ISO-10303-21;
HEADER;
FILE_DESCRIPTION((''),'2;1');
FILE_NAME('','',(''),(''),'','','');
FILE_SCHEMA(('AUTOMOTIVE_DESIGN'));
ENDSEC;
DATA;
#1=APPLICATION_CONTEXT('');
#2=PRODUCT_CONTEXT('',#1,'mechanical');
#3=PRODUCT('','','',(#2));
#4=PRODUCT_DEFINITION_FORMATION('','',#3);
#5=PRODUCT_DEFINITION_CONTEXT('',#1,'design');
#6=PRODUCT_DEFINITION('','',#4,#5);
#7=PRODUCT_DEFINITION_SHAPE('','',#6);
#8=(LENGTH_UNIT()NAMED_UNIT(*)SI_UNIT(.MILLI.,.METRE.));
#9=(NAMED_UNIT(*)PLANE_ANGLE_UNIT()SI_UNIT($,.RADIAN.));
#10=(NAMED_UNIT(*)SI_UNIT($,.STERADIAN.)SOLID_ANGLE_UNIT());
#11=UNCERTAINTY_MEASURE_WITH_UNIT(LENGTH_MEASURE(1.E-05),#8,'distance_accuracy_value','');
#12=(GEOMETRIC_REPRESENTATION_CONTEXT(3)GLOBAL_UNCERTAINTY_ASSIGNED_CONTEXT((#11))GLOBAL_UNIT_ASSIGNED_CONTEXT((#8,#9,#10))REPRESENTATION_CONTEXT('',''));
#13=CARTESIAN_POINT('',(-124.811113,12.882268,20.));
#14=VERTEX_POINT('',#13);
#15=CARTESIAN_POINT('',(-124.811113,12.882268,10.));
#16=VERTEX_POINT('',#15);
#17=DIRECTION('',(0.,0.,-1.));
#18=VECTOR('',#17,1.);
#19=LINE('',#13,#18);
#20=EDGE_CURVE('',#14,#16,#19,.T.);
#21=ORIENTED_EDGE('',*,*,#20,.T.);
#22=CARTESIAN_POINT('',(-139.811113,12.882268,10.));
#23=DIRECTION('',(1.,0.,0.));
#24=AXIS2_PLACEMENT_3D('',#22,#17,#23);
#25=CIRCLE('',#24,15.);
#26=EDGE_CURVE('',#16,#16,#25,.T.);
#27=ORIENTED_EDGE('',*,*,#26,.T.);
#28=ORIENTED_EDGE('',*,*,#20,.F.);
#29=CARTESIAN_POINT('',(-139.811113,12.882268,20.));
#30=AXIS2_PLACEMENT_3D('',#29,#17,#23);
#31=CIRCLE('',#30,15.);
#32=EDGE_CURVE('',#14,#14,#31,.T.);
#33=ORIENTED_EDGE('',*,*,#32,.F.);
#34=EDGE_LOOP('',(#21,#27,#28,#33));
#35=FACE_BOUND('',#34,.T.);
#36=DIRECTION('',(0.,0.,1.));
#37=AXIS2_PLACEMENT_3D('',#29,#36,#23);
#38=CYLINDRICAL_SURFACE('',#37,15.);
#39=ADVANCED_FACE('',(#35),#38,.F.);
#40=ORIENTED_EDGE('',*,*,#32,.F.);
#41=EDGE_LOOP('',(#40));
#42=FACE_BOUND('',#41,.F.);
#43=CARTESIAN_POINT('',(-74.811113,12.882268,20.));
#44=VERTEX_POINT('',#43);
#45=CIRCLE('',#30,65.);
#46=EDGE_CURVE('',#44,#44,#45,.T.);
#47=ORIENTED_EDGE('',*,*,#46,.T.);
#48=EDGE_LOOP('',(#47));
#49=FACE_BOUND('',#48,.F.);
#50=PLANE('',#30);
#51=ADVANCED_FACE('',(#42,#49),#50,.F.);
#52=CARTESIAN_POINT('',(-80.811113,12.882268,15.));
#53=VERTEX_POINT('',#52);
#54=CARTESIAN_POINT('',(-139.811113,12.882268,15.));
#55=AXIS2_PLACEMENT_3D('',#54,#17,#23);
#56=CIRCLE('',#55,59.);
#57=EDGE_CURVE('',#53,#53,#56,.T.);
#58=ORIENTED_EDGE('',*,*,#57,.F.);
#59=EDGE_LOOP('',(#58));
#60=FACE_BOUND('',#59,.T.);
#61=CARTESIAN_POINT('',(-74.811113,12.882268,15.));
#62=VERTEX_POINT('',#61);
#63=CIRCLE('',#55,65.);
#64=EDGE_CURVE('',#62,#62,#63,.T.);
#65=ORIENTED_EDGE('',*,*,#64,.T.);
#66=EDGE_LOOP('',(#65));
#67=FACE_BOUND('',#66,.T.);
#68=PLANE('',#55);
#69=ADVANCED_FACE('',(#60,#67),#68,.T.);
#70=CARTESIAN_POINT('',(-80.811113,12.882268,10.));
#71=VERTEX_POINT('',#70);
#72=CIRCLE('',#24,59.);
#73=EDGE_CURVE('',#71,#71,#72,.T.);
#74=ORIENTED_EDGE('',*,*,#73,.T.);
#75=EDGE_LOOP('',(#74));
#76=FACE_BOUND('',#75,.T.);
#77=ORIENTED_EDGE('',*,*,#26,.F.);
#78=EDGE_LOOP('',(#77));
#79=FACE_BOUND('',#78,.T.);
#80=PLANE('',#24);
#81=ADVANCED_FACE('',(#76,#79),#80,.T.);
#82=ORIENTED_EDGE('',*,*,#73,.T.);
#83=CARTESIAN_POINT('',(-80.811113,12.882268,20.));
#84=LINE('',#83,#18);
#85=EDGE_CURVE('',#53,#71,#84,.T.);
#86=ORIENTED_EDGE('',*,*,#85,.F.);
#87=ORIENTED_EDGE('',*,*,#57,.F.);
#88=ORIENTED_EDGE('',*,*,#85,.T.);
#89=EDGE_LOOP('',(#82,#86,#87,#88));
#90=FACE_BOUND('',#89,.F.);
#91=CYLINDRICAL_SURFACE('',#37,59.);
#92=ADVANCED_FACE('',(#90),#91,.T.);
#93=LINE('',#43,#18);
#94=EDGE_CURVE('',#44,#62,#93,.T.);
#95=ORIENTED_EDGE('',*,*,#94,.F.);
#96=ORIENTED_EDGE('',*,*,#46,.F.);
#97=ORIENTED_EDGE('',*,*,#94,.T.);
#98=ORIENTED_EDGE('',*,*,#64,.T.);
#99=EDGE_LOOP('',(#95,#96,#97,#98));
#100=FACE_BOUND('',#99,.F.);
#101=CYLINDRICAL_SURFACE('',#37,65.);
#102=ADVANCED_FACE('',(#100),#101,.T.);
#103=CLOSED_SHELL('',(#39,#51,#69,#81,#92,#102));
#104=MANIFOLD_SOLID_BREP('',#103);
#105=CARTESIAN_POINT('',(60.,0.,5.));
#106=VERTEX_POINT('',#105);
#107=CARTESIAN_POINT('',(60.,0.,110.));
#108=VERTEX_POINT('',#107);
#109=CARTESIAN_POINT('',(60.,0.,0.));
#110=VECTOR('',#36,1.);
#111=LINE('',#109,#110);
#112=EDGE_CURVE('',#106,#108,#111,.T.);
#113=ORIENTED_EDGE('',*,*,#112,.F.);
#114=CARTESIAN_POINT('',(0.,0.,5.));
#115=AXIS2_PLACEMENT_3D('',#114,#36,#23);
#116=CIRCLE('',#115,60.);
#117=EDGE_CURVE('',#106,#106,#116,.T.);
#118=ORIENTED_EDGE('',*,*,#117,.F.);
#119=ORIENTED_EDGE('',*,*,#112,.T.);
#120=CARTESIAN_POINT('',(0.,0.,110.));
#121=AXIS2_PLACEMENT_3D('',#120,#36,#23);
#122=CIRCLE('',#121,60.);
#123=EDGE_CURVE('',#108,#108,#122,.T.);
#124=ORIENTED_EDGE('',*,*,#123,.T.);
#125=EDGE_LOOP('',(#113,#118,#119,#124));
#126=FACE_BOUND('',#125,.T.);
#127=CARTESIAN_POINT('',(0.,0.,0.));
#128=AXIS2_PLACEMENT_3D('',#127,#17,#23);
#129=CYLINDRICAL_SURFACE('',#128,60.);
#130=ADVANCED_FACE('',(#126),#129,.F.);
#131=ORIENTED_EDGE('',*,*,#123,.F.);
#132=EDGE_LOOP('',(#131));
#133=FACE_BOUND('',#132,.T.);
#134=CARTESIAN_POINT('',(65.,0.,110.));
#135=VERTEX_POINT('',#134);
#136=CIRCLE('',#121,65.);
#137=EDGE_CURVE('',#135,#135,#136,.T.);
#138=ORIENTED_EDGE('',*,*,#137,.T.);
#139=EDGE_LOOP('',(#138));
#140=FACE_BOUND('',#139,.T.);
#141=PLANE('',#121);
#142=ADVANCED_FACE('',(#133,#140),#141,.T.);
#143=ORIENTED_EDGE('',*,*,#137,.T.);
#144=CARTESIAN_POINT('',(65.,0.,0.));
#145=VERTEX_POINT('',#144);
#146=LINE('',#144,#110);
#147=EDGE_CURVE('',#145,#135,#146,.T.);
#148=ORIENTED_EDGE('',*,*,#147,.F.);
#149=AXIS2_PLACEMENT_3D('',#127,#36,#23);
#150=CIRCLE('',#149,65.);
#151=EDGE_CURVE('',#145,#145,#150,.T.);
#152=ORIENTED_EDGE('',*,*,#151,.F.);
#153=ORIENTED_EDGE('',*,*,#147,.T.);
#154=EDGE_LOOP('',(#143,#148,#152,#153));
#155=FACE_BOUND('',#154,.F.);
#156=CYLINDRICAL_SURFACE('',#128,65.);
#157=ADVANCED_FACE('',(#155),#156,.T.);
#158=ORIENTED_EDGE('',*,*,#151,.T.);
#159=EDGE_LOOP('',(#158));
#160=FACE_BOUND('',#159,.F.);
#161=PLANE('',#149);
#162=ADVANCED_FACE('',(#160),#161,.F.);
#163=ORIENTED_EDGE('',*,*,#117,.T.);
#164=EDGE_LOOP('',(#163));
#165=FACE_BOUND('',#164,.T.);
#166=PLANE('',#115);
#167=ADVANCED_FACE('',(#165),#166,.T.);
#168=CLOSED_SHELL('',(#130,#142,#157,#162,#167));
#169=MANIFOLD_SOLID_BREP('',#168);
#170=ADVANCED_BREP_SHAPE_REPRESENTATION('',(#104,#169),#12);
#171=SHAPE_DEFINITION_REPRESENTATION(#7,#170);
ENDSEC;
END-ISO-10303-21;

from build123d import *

# Parameters (mm, degrees)
F0_R     = 60
F1_DEPTH = 5
F0_R_2   = 65
F2_DEPTH = 110
F3_R     = 59
F3_R_2   = 15
F4_DEPTH = 10
F3_R_3   = 65
F5_DEPTH = 5
F7_ANGLE = 180


with BuildPart() as f1:
    # F0 (on Top) → F1 (new body)
    with BuildSketch(Plane.XY):
        Circle(F0_R)
    extrude(amount=F1_DEPTH)

    # F0 (on Top) → F2 (join)
    with BuildSketch(Plane.XY):
        Circle(F0_R_2)
        Circle(F0_R, mode=Mode.SUBTRACT)
    extrude(amount=F2_DEPTH)


with BuildPart() as f4:
    # F3 (on Top) → F4 (new body)
    with BuildSketch(Plane.XY):
        with Locations((-139.811113, 12.882268)):
            Circle(F3_R)
        with Locations((-139.811113, 12.882268)):
            Circle(F3_R_2, mode=Mode.SUBTRACT)
    extrude(amount=F4_DEPTH)

    # F3 (on Top) → F5 (join)
    with BuildSketch(Plane.XY):
        with Locations((-139.811113, 12.882268)):
            Circle(F3_R_3)
        with Locations((-139.811113, 12.882268)):
            Circle(F3_R, mode=Mode.SUBTRACT)
    extrude(amount=F5_DEPTH)


with BuildPart() as f4_1:
    # F7: moved
    add(f4.part.rotate(Axis((-178.227551, 12.882268, 10), (-1, 0, 0)), F7_ANGLE))


solid = Compound([f1.part, f4_1.part])
